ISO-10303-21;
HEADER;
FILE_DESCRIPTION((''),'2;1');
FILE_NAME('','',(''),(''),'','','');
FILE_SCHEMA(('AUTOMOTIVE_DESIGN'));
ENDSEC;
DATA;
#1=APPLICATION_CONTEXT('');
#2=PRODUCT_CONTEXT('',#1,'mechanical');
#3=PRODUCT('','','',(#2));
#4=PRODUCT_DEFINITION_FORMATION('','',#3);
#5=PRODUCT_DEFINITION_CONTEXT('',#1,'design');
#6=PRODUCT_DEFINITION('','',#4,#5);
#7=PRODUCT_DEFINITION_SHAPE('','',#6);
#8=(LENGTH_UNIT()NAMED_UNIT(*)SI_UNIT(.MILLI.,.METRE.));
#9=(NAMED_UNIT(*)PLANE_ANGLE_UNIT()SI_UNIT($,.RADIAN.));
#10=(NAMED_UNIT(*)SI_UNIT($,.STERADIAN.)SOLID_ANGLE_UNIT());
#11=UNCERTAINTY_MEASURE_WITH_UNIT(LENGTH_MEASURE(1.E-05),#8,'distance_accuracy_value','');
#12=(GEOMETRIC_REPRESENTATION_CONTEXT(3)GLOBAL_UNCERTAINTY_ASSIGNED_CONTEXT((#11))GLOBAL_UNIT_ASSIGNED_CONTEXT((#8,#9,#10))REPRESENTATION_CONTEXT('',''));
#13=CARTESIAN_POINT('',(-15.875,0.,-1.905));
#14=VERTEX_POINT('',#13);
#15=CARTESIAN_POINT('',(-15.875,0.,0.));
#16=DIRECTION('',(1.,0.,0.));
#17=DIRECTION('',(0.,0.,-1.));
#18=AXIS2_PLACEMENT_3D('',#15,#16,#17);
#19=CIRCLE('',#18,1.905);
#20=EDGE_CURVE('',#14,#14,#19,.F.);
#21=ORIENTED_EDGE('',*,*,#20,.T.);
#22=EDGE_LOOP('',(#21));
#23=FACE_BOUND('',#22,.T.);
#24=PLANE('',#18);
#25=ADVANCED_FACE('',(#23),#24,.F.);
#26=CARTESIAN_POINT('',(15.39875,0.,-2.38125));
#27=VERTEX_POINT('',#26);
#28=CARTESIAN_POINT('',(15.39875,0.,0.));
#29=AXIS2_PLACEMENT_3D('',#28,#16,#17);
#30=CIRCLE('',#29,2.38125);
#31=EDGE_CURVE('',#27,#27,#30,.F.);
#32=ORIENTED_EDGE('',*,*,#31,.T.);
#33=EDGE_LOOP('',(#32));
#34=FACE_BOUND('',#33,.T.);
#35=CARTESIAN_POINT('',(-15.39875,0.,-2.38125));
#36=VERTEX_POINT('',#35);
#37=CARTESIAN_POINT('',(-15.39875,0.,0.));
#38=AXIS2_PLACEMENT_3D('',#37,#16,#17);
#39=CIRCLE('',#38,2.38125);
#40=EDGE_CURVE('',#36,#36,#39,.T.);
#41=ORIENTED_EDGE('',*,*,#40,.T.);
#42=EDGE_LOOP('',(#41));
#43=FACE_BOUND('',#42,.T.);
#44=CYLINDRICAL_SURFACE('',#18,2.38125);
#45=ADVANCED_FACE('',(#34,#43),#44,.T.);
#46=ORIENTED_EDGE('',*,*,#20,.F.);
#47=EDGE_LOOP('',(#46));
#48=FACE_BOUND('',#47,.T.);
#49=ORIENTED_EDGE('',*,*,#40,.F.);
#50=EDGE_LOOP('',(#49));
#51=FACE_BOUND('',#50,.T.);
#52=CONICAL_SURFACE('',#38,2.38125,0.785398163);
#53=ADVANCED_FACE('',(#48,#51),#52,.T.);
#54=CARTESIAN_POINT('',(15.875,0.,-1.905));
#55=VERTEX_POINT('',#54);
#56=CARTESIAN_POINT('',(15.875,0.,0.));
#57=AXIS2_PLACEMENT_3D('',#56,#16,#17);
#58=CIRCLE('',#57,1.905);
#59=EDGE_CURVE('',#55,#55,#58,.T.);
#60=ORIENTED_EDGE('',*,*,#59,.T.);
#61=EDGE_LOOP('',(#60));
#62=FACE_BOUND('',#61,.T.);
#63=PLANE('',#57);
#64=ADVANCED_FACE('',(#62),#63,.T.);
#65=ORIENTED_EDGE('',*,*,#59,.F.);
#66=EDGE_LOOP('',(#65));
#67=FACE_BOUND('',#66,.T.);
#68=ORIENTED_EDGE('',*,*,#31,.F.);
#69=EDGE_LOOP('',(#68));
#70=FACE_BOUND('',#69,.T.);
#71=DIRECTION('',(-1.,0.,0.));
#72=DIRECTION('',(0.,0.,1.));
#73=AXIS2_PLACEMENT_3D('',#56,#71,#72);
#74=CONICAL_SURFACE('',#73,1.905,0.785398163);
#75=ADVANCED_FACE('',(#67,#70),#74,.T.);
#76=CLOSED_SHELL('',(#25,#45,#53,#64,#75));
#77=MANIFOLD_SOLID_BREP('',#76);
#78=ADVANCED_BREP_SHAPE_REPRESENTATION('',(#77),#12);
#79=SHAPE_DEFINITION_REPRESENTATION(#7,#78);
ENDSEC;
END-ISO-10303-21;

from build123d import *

# Parameters (mm, degrees)
EXTRUDE1_DEPTH      = 15.875
EXTRUDE1_DEPTH_BACK = 15.875
SKETCH2_R           = 2.38125
CHAMFER1_SIZE       = 0.47625


with BuildPart() as part:
    # Sketch2 → Extrude1 (new, two sides: drawn at the far end of the back side and taken through both)
    with BuildSketch(Plane(origin=(0, 0, 0), x_dir=(0, 0, -1), z_dir=(1, 0, 0)).offset(-EXTRUDE1_DEPTH_BACK)):
        Circle(SKETCH2_R)
    extrude(amount=EXTRUDE1_DEPTH + EXTRUDE1_DEPTH_BACK)

    # Chamfer1
    chamfer1_edges = [part.edges().sort_by_distance(p)[0] for p in [
        (-15.875, 0, 2.38125),
        (15.875, 0, 2.38125),
    ]]
    chamfer(chamfer1_edges, length=CHAMFER1_SIZE)


solid = part.part
